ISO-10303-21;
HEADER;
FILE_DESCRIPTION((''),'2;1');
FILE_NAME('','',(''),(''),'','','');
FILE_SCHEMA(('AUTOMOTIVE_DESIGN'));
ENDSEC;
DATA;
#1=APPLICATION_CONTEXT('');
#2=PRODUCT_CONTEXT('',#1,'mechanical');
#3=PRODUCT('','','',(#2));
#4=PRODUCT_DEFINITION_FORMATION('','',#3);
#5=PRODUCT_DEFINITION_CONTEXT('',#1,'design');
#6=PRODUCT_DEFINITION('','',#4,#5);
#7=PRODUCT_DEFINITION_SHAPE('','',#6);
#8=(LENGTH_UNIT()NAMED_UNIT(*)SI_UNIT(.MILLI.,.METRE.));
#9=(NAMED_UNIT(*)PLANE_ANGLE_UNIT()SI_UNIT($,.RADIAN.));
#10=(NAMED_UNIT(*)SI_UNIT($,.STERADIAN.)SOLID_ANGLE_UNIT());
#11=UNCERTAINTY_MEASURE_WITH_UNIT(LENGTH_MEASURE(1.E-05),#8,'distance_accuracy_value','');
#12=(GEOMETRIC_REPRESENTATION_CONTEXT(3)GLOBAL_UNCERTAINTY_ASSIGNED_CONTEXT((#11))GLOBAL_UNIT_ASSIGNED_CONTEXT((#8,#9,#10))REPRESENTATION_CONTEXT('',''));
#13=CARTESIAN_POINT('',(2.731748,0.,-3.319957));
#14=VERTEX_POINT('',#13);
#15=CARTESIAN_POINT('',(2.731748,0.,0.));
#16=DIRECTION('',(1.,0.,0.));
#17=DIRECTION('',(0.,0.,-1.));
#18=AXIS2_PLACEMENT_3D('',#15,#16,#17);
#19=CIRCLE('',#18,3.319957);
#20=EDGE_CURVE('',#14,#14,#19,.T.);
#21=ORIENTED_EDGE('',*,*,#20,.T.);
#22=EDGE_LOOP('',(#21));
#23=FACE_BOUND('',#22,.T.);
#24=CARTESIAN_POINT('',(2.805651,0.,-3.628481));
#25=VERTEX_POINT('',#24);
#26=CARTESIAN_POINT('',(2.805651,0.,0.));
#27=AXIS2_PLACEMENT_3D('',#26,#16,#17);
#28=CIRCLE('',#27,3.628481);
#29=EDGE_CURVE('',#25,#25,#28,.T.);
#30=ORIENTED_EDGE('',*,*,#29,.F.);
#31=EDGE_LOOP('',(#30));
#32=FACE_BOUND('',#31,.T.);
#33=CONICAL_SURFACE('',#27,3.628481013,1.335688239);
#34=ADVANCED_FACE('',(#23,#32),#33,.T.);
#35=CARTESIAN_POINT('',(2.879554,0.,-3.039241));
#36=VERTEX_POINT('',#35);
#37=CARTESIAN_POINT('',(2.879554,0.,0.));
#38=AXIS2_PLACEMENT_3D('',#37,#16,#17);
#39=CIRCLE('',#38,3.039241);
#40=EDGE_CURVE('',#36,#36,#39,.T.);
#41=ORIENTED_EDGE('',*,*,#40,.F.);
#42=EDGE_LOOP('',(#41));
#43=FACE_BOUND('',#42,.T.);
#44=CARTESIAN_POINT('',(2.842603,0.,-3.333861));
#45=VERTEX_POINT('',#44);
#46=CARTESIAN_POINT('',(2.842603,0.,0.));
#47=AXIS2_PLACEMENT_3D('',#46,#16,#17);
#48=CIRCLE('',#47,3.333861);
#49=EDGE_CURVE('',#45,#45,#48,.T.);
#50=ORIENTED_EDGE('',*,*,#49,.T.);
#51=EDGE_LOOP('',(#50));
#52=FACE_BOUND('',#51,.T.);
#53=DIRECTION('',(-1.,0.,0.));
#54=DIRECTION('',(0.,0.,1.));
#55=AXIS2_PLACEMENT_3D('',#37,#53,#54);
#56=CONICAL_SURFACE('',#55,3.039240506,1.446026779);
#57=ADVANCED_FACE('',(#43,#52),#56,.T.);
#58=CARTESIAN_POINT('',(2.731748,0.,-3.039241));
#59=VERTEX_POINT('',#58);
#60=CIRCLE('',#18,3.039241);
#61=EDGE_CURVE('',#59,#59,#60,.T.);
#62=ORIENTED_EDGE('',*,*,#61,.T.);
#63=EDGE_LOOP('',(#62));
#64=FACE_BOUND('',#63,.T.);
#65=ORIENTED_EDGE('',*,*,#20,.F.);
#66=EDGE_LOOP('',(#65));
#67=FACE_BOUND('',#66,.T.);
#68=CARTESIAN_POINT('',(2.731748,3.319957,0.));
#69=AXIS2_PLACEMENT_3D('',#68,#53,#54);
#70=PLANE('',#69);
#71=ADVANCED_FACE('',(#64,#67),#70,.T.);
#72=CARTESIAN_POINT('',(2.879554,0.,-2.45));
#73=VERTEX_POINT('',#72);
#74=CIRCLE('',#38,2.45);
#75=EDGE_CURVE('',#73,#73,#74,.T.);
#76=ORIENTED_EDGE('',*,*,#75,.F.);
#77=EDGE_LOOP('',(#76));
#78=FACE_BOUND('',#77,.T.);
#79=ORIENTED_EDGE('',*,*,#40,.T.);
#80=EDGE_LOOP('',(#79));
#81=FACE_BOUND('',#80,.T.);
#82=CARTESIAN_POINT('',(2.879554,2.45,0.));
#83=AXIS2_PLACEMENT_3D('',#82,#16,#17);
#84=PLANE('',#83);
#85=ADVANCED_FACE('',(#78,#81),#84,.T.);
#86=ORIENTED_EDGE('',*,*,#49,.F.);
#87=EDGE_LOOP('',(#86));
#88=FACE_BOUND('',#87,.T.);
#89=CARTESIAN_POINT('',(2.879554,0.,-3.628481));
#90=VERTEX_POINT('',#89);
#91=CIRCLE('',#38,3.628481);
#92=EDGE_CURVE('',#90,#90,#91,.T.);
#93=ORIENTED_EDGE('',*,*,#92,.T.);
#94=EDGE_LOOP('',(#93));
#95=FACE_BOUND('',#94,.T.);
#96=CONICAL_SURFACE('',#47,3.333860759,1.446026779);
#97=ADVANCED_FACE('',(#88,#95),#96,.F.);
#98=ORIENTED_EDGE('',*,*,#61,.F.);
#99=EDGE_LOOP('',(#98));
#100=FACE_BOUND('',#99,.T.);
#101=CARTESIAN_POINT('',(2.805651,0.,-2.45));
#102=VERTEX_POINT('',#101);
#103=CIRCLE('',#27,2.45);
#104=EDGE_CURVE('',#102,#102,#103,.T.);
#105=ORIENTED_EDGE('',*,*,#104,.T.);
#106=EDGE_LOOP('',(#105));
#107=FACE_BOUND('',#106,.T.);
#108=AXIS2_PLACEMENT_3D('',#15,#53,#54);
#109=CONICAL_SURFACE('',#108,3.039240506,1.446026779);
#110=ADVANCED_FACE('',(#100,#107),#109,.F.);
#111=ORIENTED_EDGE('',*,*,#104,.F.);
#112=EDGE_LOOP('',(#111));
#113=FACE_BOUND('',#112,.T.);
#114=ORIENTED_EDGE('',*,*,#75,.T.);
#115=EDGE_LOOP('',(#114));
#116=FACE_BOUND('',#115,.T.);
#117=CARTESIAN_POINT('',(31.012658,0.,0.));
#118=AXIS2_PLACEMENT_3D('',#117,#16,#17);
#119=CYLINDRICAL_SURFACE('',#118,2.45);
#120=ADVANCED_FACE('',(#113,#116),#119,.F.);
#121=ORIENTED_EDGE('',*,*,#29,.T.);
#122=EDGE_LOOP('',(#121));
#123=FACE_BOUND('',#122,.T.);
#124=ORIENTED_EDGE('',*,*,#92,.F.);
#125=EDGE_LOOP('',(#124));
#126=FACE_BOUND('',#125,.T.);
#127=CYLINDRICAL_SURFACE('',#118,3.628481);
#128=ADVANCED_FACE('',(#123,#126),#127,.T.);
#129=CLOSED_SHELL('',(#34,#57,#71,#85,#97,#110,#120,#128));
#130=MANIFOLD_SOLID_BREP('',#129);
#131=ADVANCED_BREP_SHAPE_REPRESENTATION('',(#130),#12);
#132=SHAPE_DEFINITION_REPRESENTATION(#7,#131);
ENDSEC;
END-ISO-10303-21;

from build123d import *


with BuildPart() as part:
    # Sketch1 → Revolve1 (revolve)
    with BuildSketch(Plane.XY):
        Polygon((2.731748139, 3.039240506), (2.805651304, 2.45), (2.879554468, 2.45), (2.879554468, 3.039240506), (2.842602886, 3.333860759), (2.879554468, 3.628481013), (2.805651304, 3.628481013), (2.731748139, 3.31995724), align=None)
    revolve(axis=Axis((31.012658228, 0, 0), (-1, 0, 0)))


solid = part.part
